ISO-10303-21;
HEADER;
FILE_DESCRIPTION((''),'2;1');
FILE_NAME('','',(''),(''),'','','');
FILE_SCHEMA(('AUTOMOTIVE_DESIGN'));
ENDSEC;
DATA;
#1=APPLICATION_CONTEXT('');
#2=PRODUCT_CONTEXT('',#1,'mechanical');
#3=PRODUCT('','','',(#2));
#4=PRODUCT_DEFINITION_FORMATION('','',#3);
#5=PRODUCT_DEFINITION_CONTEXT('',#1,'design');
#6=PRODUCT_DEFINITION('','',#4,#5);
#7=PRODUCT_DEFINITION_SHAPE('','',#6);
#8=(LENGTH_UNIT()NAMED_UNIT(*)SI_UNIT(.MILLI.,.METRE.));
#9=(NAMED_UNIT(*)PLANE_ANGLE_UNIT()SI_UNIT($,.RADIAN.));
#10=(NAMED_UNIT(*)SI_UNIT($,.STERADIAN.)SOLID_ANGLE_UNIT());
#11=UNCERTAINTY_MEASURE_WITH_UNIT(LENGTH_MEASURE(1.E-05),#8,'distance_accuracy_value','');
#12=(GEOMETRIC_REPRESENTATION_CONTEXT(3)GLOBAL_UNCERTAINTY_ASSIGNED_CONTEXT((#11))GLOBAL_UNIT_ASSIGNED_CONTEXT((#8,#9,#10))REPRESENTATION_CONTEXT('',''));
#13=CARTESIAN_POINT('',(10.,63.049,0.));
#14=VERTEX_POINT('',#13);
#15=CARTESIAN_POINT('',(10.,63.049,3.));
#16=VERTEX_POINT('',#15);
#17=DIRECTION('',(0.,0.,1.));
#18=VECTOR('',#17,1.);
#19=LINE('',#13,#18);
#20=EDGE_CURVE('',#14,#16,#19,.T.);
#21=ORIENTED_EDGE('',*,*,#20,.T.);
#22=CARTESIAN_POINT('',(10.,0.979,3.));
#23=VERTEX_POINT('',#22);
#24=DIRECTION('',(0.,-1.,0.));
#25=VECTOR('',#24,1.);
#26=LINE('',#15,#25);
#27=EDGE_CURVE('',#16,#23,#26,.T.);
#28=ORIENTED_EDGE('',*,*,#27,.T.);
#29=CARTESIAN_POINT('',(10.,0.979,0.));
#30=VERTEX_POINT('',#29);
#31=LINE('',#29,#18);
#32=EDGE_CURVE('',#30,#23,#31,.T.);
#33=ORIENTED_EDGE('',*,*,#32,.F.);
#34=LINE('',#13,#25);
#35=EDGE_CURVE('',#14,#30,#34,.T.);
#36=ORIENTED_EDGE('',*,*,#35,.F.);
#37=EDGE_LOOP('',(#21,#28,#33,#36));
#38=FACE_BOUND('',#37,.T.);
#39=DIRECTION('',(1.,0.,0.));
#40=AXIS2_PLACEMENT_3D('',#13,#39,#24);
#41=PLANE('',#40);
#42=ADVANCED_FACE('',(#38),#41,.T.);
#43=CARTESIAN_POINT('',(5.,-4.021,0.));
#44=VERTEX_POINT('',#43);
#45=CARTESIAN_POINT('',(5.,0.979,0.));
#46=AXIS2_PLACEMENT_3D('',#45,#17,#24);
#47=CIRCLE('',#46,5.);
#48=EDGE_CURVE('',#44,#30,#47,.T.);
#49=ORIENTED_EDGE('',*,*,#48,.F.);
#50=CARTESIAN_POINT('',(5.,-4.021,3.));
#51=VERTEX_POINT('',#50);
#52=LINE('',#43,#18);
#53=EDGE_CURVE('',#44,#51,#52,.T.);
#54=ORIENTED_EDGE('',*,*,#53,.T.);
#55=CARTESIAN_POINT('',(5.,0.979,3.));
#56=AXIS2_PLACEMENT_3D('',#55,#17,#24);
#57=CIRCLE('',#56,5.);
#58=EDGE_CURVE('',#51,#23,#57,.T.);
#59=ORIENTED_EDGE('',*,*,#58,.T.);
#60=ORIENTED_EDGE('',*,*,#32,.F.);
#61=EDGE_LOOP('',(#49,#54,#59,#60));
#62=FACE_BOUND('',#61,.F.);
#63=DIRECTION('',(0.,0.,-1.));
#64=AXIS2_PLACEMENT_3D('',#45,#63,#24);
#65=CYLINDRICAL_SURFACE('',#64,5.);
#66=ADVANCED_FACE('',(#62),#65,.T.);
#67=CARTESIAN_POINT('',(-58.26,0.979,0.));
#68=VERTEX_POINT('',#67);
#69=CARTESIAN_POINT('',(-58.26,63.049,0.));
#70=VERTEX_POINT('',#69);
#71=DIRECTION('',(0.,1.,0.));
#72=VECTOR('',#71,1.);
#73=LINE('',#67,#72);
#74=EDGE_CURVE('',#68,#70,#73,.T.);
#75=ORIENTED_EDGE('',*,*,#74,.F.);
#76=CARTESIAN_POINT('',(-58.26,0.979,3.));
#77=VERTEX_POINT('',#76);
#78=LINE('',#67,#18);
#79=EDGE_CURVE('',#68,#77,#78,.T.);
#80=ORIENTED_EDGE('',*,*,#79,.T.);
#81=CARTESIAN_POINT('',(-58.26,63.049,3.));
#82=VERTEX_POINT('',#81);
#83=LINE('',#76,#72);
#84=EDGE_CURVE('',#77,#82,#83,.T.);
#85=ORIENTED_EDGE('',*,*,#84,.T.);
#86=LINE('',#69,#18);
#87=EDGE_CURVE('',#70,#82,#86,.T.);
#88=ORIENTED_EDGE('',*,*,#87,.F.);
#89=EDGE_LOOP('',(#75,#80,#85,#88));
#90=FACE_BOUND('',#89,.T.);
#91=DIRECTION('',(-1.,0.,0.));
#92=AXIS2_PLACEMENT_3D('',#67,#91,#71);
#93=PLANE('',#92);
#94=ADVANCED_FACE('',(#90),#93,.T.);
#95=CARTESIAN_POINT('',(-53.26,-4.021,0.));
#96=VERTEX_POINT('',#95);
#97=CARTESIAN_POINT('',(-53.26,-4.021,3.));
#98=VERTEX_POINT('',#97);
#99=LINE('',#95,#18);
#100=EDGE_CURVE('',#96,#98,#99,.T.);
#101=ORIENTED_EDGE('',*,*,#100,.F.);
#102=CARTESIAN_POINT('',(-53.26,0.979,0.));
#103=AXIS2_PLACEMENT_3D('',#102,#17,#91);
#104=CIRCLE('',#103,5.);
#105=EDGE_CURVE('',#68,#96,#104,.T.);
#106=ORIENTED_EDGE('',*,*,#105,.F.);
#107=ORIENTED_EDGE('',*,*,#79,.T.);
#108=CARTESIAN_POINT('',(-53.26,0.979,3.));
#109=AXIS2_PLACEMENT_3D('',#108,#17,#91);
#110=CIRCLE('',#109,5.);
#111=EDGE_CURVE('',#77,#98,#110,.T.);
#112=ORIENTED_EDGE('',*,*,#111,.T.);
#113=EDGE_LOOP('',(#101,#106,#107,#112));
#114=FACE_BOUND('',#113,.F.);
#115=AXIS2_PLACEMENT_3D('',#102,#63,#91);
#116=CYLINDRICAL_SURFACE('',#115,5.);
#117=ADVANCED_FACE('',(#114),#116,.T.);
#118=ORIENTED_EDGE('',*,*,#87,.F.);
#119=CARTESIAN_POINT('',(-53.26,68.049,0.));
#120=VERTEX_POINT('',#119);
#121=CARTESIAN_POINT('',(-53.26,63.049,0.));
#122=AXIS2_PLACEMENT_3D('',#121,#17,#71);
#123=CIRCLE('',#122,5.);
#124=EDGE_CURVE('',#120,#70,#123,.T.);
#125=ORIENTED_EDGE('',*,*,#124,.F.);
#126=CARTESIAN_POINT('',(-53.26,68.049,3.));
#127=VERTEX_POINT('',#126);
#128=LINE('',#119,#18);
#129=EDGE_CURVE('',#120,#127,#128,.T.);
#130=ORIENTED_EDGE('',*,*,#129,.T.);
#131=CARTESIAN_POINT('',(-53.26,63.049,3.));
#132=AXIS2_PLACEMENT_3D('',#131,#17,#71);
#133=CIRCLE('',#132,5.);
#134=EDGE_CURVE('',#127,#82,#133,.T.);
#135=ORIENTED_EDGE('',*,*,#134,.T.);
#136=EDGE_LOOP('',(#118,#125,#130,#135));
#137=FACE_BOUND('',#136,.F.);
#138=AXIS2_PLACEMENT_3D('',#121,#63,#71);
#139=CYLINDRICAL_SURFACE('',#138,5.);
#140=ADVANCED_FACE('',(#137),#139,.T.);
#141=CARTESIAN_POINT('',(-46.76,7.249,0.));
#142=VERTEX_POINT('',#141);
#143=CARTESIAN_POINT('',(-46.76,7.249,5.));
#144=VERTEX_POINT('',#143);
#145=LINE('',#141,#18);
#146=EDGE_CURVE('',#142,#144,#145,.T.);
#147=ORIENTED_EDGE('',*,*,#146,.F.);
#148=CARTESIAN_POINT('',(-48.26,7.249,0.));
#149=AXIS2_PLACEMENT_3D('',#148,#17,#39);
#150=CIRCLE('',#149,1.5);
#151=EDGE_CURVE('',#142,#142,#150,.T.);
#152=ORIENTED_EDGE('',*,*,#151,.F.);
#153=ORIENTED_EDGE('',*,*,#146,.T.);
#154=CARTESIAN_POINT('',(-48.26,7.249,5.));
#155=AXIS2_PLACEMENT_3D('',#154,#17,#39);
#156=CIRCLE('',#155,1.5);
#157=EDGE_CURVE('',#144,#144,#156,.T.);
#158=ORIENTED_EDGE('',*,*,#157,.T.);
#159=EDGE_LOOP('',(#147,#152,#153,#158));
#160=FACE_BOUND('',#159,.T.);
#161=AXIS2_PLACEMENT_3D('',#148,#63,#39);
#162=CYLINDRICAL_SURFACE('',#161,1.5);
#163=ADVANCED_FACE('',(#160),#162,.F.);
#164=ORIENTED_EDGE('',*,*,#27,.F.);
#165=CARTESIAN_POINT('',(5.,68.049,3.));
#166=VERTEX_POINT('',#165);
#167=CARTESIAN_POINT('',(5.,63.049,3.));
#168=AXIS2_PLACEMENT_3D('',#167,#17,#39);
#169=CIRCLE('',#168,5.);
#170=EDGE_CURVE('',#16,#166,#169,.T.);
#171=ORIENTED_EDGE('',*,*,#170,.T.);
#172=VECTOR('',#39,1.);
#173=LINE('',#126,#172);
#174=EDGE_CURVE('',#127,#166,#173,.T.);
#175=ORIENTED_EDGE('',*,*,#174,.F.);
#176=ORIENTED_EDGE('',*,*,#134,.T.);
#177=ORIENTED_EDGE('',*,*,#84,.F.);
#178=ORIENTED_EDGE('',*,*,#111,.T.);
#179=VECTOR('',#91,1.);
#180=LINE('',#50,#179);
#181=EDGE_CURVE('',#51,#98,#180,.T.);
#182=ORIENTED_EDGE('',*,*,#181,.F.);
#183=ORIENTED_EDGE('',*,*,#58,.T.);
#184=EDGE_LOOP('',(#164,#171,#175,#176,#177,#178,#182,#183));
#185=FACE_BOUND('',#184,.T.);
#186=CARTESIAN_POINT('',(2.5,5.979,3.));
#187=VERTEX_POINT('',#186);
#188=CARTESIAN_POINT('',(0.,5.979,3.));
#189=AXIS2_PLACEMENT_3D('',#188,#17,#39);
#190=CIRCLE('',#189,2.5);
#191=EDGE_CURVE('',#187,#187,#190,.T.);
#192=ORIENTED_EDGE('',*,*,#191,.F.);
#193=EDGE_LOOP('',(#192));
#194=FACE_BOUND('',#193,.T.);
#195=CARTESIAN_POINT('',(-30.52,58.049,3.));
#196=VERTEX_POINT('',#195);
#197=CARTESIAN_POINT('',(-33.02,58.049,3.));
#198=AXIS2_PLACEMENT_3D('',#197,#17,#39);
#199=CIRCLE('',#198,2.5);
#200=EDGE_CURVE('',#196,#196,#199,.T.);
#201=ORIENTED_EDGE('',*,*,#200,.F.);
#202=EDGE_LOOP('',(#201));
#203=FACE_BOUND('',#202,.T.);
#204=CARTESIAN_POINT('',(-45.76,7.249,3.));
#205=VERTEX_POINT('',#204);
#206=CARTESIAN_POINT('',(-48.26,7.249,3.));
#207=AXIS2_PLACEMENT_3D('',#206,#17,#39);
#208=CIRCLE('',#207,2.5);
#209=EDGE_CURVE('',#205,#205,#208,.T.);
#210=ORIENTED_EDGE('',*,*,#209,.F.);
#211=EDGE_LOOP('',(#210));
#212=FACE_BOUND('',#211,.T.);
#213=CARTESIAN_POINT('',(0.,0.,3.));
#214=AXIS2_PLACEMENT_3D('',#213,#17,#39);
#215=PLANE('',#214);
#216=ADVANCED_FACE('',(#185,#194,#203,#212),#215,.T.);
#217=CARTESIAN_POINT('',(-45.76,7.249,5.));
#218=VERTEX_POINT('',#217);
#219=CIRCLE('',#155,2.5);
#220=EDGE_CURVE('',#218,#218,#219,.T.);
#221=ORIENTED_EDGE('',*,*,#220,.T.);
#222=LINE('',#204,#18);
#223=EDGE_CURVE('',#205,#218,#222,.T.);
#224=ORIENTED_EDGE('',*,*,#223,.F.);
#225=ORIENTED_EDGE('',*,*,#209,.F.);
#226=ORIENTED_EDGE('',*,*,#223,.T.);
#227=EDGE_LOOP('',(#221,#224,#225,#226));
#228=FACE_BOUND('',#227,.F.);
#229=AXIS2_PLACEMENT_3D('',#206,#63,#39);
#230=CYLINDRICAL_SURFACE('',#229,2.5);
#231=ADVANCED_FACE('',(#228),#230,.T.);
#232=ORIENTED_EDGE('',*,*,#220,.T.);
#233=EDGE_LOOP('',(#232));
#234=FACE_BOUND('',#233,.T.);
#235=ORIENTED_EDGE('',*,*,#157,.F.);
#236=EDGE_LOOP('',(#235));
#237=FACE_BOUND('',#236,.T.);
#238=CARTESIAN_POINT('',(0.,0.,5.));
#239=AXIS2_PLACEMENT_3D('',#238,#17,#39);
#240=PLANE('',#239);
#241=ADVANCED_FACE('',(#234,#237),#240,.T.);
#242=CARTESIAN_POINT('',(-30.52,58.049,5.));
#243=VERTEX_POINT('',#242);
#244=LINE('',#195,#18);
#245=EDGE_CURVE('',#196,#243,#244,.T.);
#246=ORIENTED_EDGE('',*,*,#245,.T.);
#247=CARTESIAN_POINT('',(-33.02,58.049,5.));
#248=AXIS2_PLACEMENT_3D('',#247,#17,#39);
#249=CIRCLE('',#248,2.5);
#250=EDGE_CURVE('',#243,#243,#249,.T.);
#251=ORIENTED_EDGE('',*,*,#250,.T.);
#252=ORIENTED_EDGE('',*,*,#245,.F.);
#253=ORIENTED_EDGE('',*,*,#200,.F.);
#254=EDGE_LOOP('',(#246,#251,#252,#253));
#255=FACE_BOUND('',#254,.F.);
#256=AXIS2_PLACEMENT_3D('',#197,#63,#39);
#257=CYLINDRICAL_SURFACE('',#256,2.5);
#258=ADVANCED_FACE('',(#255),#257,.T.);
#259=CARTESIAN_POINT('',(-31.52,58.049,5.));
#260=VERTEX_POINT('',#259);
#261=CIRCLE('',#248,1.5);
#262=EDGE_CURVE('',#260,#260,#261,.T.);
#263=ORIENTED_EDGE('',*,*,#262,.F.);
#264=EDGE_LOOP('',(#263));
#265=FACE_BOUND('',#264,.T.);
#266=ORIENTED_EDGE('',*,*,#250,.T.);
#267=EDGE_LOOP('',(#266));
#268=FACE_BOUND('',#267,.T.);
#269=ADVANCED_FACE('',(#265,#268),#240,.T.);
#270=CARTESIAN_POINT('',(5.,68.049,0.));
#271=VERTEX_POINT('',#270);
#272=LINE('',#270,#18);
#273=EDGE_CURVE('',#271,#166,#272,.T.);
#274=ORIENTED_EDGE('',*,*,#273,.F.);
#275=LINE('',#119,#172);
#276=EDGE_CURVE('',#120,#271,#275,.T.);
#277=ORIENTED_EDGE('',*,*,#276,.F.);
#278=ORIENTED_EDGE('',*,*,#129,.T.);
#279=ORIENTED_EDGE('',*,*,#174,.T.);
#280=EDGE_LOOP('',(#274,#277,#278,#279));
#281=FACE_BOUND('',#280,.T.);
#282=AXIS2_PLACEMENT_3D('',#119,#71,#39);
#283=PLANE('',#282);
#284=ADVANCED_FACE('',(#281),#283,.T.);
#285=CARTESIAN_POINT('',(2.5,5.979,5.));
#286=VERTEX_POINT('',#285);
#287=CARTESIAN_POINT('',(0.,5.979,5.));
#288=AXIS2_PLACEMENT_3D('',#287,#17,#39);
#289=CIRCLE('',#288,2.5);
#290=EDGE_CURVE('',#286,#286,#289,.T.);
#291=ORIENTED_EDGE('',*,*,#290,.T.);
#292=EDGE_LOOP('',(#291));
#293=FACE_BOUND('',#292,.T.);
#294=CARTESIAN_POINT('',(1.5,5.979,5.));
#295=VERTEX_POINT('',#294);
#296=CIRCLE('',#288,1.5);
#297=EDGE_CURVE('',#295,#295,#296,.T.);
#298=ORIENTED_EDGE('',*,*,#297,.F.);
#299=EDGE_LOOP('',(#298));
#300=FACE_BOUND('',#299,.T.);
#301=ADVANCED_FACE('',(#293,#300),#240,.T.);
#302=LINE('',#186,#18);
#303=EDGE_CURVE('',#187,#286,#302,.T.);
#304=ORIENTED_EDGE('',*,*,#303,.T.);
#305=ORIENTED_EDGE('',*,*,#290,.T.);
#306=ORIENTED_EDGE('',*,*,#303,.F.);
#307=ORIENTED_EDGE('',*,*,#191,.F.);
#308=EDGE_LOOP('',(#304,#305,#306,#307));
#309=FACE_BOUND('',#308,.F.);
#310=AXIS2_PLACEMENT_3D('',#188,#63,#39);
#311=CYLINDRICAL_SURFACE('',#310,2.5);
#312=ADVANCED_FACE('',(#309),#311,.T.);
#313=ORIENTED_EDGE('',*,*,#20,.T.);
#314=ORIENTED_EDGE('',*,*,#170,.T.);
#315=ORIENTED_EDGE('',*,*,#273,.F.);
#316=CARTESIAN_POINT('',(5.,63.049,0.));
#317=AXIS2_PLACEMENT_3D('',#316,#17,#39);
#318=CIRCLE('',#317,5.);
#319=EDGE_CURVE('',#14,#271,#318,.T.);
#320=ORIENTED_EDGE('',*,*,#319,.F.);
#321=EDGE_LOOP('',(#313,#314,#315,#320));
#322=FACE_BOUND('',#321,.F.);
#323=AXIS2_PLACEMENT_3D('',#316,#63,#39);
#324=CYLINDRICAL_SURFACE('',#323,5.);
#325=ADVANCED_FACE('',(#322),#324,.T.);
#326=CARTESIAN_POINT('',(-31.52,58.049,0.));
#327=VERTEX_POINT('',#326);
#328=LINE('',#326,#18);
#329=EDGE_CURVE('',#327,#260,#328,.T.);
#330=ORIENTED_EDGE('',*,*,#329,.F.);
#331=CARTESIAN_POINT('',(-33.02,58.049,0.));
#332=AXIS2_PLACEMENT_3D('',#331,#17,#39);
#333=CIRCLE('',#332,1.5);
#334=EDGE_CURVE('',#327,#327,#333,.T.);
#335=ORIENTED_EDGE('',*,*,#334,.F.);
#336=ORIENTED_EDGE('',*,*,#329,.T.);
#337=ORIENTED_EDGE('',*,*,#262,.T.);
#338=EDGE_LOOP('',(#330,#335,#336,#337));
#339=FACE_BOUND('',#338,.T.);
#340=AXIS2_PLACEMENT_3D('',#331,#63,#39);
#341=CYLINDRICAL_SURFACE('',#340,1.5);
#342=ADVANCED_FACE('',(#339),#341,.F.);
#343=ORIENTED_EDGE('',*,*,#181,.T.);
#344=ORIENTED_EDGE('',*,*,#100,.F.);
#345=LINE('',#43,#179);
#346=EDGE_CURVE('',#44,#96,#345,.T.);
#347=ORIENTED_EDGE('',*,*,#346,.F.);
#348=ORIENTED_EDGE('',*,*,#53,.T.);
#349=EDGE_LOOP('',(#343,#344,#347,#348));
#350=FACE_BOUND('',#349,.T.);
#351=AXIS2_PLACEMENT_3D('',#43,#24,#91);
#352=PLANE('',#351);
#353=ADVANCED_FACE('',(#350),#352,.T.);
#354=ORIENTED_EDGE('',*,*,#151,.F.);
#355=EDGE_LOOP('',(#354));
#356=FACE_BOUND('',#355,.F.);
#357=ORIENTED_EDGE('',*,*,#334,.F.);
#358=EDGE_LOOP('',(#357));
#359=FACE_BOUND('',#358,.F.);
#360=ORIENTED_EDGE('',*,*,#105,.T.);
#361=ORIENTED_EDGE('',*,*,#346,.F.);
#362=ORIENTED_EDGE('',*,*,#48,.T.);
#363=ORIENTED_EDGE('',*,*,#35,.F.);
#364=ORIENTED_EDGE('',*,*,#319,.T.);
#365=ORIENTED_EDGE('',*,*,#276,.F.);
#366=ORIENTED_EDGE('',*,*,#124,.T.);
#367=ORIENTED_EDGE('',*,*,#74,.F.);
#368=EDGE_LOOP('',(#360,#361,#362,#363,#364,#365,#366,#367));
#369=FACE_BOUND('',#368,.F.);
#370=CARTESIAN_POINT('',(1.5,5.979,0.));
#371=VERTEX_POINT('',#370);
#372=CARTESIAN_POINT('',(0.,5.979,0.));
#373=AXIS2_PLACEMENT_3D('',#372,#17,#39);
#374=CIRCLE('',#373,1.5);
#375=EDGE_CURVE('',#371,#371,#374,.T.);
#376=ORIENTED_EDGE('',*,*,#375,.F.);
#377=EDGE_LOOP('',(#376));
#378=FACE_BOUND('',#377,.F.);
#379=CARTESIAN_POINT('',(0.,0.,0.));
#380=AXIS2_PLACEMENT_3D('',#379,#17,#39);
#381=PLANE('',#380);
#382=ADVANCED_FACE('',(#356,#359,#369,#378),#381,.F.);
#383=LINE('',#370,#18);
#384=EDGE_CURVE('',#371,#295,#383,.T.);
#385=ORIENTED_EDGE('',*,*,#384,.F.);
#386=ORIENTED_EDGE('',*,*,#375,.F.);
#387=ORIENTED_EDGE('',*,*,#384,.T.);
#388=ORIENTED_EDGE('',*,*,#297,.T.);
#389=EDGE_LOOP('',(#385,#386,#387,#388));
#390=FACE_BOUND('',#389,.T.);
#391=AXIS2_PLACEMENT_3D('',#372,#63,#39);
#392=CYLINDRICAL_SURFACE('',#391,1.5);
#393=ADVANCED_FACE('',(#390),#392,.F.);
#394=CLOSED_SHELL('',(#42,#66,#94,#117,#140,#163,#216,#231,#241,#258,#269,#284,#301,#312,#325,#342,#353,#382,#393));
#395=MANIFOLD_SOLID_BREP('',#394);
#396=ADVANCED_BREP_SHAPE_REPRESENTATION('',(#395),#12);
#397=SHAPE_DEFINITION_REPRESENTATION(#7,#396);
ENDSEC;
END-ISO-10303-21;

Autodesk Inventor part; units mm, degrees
ref_plane "YZ Plane" through (0, 0, 0) normal (1, 0, 0) x (0, 1, 0)
ref_plane "XZ Plane" through (0, 0, 0) normal (0, 1, 0) x (-1, 0, 0)
ref_plane "XY Plane" through (0, 0, 0) normal (0, 0, 1) x (1, 0, 0)
sketch "Sketch1" plane through (0, 0, 0) normal (0, 0, 1) x (1, 0, 0)
  circle A0 centre (-48.26, 7.249) radius 1.5
  circle A1 centre (0, 5.979) radius 1.5
  circle A2 centre (-33.02, 58.049) radius 1.5
  line L0 (-53.26, 68.049) -> (5, 68.049)
  line L1 (10, 63.049) -> (10, 0.979)
  line L2 (5, -4.021) -> (-53.26, -4.021)
  line L3 (-58.26, 0.979) -> (-58.26, 63.049)
  arc A3 (-53.26, 68.049) -> (-58.26, 63.049) centre (-53.26, 63.049) ccw
  arc A4 (10, 63.049) -> (5, 68.049) centre (5, 63.049) ccw
  arc A5 (5, -4.021) -> (10, 0.979) centre (5, 0.979) ccw
  arc A6 (-58.26, 0.979) -> (-53.26, -4.021) centre (-53.26, 0.979) ccw
  point P0 (0, 0)
  point P1 (-28.5358, 0.3645)
  point P2 (-23.2442, 0.3645)
  dimension "d1" = 3
  dimension "d2" = 3
  dimension "d3" = 48.26
  dimension "d5" = 1.27
  dimension "d6" = 3
  dimension "d8" = 15.24
  dimension "d9" = 50.8
  dimension "d10" = 10
  dimension "d12" = 10
  dimension "d13" = 10
  dimension "d14" = 10
  dimension "d15" = 5
extrude "Extrusion1" add sketch "Sketch1" along normal blind 3
sketch "Sketch2" plane through (0, 0, 3) normal (0, 0, 1) x (1, 0, 0)
  circle A0 centre (-33.02, 58.049) radius 1.5 projected
  circle A1 centre (-33.02, 58.049) radius 2.5
  circle A2 centre (0, 5.979) radius 1.5 projected
  circle A3 centre (0, 5.979) radius 2.5
  circle A4 centre (-48.26, 7.249) radius 1.5 projected
  circle A5 centre (-48.26, 7.249) radius 2.5
  circle A6 centre (-33.02, 58.049) radius 1.5
  circle A7 centre (-48.26, 7.249) radius 1.5
  circle A8 centre (0, 5.979) radius 1.5
  point P0 (0, 0)
  dimension "d18" = 5
  dimension "d19" = 5
  dimension "d20" = 5
extrude "Extrusion2" add sketch "Sketch2" along normal blind 2
properties part number "ArduSimple BasePlate FlatAdapter"
